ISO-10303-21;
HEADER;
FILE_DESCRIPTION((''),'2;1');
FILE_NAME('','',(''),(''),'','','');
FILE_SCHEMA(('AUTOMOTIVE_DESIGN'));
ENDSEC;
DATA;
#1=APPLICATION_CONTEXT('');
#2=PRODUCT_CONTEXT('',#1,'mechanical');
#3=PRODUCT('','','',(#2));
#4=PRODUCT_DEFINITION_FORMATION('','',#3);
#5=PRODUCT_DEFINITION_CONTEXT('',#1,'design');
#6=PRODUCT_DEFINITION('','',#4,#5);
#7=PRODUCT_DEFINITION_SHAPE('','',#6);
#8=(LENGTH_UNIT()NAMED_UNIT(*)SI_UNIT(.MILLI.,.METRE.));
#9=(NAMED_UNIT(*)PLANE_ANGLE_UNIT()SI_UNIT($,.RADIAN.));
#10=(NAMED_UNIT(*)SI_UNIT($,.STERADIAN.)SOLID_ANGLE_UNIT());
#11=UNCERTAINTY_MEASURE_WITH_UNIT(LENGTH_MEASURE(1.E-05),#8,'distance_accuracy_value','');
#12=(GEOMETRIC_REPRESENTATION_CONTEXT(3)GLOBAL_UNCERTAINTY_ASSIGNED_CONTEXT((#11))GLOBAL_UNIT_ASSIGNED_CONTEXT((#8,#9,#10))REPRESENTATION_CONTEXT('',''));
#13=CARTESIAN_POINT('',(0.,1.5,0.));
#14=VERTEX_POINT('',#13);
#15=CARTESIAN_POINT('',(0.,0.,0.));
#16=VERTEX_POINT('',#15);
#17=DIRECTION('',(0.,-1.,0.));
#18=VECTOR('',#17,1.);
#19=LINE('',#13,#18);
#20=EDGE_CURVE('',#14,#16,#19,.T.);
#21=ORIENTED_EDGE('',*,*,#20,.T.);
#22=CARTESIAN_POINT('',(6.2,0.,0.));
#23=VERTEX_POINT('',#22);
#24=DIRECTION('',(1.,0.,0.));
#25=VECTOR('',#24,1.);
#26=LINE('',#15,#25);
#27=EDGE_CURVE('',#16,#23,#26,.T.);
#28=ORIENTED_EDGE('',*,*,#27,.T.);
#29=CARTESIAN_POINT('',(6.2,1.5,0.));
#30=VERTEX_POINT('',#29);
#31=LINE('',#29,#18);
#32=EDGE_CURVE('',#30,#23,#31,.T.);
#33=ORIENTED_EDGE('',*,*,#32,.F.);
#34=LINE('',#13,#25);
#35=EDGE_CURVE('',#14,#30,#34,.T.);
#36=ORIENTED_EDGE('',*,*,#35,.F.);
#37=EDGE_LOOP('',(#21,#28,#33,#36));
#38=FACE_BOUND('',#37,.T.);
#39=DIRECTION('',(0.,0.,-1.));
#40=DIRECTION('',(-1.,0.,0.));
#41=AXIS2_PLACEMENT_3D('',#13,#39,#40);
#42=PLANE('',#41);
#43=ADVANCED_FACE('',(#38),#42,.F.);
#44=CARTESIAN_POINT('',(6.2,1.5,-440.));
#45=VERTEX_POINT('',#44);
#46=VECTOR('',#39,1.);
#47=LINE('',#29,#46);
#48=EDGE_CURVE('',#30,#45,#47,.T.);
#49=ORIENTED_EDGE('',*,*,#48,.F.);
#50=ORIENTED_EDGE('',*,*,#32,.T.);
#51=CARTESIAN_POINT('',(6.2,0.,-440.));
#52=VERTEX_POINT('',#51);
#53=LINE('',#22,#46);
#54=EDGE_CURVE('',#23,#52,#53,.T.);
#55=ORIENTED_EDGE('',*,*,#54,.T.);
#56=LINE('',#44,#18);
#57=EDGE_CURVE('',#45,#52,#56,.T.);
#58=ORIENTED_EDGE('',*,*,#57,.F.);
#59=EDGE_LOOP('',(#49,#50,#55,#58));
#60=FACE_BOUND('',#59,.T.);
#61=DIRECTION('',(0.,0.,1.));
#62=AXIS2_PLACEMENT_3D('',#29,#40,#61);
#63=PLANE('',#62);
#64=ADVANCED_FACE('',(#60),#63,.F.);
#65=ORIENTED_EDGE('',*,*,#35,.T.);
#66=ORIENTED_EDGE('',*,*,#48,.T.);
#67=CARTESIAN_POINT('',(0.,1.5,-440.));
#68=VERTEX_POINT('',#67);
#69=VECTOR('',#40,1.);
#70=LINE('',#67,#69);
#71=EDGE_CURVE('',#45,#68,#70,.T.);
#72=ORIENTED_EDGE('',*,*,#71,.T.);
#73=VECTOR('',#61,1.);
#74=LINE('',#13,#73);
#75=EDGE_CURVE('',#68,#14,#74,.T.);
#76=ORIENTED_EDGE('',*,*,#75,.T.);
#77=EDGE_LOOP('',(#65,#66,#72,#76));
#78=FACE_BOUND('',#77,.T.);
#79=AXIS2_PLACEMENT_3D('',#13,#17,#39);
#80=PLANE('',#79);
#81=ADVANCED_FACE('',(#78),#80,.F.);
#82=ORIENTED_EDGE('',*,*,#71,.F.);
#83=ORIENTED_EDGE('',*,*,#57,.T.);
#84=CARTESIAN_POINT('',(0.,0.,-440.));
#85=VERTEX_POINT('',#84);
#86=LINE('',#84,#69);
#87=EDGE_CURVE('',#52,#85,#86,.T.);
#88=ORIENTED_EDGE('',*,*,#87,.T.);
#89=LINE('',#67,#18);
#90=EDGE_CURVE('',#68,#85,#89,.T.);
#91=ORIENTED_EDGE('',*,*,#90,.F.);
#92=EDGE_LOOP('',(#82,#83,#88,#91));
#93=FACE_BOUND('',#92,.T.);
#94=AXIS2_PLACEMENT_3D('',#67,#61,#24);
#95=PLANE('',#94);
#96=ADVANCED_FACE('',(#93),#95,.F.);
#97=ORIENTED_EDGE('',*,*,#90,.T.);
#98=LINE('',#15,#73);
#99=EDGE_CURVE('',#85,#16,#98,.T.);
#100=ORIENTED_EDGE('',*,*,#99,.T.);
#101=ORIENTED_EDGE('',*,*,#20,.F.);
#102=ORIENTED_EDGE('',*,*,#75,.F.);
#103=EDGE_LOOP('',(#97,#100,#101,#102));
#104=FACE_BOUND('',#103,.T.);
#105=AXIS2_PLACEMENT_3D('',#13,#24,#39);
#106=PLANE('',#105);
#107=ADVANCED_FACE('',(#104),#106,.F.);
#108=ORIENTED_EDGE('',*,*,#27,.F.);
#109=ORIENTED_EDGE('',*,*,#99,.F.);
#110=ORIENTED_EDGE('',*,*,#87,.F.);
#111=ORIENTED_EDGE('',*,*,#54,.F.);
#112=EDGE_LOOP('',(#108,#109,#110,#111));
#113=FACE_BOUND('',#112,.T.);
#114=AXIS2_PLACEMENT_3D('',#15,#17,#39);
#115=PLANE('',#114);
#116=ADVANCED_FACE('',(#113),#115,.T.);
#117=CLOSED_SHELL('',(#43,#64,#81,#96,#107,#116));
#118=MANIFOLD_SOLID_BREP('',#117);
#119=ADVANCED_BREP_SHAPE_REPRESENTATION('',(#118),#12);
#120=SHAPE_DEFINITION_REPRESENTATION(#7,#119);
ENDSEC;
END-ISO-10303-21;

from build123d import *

# Parameters (mm, degrees)
CROQUIS1_W              = 6.2
CROQUIS1_H              = 440
SALIENTE_EXTRUIR1_DEPTH = 1.5


with BuildPart() as part:
    # Croquis1 → Saliente-Extruir1 (new body)
    with BuildSketch(Plane(origin=(0, 0, 0), x_dir=(1, 0, 0), z_dir=(0, 1, 0))):
        with Locations((3.1, 220)):
            Rectangle(CROQUIS1_W, CROQUIS1_H)
    extrude(amount=SALIENTE_EXTRUIR1_DEPTH)


solid = part.part
